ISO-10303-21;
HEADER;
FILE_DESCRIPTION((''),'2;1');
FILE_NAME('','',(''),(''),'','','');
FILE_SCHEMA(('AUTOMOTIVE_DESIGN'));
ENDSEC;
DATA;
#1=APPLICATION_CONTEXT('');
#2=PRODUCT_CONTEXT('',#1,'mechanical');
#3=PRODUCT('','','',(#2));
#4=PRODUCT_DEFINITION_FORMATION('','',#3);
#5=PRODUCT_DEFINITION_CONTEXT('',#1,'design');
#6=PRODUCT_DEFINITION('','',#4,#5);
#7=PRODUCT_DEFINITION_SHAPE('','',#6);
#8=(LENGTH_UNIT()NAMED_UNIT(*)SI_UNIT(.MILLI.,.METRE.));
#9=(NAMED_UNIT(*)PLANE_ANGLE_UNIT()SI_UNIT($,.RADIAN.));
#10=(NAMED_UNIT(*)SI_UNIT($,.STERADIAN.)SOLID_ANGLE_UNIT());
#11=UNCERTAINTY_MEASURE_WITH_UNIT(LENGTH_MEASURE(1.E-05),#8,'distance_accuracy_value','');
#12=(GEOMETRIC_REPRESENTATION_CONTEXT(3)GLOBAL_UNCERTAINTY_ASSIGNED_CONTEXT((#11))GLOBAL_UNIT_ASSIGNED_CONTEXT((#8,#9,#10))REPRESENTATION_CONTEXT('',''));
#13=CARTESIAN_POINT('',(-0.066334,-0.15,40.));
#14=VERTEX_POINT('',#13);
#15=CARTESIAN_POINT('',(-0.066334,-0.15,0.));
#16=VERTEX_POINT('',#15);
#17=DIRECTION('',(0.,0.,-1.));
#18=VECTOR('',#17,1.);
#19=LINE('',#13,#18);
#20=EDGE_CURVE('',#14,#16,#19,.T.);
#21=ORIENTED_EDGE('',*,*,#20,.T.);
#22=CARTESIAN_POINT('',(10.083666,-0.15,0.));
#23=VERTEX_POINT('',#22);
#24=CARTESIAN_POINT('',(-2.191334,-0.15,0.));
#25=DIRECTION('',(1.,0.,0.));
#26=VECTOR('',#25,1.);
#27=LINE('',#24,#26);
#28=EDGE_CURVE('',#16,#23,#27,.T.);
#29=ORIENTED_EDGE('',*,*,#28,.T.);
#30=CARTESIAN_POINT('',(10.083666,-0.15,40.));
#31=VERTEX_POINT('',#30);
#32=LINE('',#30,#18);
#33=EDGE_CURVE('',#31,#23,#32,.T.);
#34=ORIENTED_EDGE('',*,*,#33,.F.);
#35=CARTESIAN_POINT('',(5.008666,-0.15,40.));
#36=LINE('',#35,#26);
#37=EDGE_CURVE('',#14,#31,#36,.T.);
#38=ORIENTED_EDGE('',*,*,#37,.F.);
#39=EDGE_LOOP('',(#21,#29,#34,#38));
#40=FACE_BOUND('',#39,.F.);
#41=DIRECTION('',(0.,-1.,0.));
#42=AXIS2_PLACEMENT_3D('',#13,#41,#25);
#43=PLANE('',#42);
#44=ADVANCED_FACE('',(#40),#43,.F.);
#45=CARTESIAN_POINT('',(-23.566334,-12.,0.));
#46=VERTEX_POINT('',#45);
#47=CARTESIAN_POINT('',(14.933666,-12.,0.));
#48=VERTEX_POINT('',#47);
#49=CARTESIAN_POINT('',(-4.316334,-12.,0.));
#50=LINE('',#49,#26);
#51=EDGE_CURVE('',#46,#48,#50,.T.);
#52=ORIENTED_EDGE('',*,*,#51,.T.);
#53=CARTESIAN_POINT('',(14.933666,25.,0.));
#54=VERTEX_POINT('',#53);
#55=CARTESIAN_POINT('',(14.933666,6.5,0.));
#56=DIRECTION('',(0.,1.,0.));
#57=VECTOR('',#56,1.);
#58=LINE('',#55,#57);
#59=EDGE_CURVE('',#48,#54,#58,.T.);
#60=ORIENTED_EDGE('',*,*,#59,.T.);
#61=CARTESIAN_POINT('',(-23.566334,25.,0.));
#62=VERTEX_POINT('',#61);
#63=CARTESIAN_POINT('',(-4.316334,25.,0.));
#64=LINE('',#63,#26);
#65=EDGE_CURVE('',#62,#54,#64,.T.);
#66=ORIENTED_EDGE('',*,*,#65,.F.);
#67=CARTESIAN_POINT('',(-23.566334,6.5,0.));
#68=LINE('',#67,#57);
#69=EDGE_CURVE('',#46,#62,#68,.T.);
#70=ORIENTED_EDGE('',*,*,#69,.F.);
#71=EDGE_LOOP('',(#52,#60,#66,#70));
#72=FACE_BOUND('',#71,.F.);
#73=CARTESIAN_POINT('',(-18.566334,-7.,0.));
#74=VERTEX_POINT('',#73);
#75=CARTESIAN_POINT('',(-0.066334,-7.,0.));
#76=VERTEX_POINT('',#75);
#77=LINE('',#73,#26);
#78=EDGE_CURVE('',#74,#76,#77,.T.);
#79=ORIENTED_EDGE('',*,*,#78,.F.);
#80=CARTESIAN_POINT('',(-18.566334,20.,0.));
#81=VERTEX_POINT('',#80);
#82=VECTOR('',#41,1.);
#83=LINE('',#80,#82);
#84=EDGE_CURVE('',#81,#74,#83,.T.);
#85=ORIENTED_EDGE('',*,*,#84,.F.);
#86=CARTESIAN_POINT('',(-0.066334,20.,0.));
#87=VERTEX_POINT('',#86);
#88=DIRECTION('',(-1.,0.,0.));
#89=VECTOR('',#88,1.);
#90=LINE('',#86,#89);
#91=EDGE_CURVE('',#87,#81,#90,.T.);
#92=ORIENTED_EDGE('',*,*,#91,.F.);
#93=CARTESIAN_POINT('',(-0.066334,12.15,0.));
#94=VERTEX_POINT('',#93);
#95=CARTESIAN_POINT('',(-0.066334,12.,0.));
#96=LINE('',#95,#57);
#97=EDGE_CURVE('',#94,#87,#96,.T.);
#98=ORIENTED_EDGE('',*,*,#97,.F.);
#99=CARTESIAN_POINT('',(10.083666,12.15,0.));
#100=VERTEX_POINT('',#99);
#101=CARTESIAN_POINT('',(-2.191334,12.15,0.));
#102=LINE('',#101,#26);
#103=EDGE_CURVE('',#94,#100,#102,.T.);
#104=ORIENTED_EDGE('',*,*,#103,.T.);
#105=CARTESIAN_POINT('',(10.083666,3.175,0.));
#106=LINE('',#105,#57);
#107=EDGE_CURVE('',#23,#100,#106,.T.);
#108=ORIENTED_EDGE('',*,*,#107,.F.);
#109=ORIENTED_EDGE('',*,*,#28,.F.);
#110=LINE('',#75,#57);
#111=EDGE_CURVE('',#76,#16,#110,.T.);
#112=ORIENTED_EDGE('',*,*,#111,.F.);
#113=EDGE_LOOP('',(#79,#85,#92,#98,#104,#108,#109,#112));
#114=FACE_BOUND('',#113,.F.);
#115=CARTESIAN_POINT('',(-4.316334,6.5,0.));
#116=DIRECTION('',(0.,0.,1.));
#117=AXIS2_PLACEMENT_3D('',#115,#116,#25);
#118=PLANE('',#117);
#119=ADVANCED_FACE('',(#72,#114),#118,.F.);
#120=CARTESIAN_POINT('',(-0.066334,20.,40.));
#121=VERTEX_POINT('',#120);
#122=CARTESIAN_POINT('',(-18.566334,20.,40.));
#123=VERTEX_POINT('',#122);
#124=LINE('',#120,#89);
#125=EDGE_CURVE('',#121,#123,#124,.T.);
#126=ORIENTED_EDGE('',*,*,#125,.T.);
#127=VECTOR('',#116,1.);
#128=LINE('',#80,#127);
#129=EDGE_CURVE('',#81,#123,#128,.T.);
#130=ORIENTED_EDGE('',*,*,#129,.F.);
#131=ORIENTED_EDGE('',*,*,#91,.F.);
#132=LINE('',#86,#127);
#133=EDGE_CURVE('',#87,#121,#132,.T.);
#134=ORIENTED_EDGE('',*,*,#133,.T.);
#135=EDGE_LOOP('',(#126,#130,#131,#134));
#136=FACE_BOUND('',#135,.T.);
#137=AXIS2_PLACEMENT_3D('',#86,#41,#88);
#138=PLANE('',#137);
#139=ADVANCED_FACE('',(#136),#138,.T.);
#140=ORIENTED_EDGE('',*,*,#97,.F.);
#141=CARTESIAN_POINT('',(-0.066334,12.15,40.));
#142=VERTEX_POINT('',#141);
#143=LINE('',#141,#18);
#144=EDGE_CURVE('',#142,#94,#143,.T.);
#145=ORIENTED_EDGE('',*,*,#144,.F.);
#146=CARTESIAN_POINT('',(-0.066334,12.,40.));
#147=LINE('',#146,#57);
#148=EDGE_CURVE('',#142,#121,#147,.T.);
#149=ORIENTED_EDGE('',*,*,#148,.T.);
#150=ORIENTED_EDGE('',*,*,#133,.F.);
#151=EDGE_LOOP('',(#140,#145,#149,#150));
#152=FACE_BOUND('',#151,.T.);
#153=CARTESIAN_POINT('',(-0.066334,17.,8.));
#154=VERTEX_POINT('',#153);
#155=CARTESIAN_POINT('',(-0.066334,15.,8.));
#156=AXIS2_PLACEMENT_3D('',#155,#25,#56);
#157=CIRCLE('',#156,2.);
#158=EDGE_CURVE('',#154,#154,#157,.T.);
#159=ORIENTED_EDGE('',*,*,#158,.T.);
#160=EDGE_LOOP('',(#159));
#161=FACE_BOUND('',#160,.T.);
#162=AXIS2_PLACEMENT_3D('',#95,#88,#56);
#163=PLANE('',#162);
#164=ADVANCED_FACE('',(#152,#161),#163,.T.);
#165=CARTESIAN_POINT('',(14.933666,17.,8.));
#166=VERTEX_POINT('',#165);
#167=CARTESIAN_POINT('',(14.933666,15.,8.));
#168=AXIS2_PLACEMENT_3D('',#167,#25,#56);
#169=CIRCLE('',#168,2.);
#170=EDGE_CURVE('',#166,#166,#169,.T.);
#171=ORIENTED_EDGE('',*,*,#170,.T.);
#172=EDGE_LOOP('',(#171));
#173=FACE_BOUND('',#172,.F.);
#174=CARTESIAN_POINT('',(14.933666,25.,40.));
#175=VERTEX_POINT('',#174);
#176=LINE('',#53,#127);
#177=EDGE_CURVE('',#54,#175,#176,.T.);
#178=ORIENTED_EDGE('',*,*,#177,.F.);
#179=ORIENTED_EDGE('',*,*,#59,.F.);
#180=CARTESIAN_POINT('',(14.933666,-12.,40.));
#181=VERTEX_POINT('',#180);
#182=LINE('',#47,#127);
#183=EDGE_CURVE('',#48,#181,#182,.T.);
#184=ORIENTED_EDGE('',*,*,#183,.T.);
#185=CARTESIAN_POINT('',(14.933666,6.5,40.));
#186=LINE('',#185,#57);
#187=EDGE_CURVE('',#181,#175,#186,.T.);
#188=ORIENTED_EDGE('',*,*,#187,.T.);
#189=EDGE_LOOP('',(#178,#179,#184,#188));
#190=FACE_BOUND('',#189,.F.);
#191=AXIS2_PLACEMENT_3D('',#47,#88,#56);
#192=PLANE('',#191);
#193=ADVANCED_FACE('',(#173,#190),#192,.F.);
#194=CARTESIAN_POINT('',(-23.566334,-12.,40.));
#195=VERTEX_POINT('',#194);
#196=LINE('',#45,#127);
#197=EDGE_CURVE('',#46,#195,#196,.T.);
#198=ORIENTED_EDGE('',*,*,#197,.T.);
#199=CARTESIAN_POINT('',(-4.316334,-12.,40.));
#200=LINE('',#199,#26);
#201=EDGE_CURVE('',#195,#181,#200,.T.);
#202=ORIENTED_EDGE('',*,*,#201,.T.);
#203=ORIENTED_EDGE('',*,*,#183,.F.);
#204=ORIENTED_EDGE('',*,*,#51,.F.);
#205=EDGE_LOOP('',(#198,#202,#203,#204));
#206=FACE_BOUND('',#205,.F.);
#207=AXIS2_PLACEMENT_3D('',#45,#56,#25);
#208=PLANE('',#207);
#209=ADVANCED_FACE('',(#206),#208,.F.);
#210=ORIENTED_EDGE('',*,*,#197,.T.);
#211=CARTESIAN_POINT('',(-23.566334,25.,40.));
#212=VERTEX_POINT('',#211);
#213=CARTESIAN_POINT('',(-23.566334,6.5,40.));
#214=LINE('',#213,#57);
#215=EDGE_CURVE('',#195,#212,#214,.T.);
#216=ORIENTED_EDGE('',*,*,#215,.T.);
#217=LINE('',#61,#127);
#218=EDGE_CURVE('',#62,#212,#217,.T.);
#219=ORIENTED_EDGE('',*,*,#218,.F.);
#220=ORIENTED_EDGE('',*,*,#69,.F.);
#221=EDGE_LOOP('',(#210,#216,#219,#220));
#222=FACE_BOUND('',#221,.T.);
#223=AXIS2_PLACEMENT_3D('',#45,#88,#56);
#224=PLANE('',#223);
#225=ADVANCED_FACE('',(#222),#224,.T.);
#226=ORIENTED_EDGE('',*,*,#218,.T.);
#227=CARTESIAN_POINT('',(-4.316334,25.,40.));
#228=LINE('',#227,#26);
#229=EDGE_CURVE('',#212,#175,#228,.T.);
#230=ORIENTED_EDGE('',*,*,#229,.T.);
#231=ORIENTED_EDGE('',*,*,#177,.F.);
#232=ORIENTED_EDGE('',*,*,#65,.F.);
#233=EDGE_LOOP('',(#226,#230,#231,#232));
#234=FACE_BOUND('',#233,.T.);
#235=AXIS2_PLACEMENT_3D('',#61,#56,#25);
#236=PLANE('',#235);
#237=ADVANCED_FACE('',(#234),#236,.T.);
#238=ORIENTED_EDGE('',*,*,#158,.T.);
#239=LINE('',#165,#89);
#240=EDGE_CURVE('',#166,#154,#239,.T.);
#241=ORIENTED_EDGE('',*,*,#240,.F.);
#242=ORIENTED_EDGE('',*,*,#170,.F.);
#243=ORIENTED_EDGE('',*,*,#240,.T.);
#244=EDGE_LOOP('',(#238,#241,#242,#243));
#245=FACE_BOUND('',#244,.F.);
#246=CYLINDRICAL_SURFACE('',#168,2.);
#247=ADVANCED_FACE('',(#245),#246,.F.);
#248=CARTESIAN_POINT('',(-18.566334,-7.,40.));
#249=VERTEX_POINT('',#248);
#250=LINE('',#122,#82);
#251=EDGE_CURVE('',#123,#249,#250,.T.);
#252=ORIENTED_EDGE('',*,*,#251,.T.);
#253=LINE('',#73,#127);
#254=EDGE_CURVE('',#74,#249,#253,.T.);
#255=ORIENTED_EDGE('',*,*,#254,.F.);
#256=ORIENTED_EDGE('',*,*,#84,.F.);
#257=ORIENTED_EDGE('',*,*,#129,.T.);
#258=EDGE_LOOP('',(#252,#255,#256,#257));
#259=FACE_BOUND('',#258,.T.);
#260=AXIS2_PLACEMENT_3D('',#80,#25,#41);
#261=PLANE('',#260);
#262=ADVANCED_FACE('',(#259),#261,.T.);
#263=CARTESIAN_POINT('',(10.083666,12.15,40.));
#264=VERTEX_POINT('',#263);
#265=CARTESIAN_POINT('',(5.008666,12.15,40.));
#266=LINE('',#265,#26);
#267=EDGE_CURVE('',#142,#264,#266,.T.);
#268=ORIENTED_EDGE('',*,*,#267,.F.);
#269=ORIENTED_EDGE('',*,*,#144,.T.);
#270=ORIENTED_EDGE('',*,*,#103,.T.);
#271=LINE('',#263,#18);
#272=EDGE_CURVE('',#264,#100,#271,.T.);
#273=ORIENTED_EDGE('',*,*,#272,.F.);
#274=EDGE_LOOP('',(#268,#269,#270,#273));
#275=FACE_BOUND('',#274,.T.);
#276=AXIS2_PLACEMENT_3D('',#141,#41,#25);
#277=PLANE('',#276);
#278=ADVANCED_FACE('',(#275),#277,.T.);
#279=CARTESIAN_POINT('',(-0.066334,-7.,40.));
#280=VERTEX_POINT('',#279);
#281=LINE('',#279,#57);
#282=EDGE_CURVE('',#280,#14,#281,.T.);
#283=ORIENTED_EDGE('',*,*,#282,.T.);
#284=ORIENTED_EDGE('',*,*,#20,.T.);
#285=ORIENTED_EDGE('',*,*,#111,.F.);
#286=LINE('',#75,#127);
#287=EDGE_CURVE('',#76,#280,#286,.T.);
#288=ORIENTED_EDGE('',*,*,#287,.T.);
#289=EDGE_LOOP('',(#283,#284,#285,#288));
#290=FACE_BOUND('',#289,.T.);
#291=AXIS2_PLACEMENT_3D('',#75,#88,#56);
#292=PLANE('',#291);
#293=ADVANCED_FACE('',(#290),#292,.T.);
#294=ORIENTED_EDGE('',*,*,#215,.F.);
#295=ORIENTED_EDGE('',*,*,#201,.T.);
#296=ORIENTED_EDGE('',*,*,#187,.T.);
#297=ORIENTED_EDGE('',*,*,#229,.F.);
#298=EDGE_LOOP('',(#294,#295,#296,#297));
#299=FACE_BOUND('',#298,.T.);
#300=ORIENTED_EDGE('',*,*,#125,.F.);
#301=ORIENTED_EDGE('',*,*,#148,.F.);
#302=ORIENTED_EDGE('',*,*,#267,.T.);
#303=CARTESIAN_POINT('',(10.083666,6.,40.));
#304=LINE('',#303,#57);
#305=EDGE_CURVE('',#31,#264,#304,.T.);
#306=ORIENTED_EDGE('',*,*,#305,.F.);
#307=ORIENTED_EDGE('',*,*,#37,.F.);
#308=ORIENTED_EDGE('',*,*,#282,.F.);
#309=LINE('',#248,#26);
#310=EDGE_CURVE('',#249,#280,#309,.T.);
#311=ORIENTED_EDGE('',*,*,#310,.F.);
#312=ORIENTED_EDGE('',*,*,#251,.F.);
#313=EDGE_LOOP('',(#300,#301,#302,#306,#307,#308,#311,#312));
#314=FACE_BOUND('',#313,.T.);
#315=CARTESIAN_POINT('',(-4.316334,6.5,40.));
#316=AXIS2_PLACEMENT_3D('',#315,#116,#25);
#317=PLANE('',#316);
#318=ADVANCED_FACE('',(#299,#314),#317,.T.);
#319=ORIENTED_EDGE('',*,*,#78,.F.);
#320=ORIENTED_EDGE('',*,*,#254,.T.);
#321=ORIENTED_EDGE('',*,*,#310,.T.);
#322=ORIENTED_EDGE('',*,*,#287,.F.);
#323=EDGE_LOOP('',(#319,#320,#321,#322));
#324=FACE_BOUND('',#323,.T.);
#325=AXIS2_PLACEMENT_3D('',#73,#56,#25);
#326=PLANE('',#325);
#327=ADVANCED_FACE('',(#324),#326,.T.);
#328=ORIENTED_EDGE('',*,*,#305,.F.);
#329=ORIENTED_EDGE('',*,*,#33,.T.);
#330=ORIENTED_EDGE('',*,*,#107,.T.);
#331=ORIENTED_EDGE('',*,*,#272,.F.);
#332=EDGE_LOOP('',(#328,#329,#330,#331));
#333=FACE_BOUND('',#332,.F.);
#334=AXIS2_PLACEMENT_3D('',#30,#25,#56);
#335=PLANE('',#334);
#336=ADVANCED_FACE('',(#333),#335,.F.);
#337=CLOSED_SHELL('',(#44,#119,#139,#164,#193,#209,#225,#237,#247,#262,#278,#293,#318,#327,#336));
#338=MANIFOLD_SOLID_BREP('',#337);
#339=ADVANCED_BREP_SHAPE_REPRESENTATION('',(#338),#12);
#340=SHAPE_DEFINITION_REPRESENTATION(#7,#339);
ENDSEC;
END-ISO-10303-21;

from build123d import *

# Parameters (mm, degrees)
SKETCH_W        = 38.5
SKETCH_H        = 37
PAD_DEPTH       = 40
SKETCH001_R     = 2
POCKET_DEPTH    = 15
SKETCH002_W     = 10.15
SKETCH002_H     = 12.3
POCKET001_DEPTH = 40.001


with BuildPart() as part:
    # Sketch → Pad (new body)
    with BuildSketch(Plane.XY):
        with Locations((-4.316334, 6.5)):
            Rectangle(SKETCH_W, SKETCH_H)
        Polygon((9.933666, 0), (9.933666, 12), (-0.066334, 12), (-0.066334, 20), (-18.566334, 20), (-18.566334, -7), (-0.066334, -7), (-0.066334, 0), align=None, mode=Mode.SUBTRACT)
    extrude(amount=PAD_DEPTH)

    # Sketch001 (on Face2 of Pad) → Pocket (cut)
    with BuildSketch(Plane.YZ.offset(14.933666)):
        with Locations((15, 8)):
            Circle(SKETCH001_R)
    extrude(amount=-POCKET_DEPTH, mode=Mode.SUBTRACT)

    # Sketch002 (on Face5 of Pocket) → Pocket001 (cut, through all)
    with BuildSketch(Plane.XY.offset(40)):
        with Locations((5.008666, 6)):
            Rectangle(SKETCH002_W, SKETCH002_H)
    extrude(amount=-POCKET001_DEPTH, mode=Mode.SUBTRACT)


solid = part.part
